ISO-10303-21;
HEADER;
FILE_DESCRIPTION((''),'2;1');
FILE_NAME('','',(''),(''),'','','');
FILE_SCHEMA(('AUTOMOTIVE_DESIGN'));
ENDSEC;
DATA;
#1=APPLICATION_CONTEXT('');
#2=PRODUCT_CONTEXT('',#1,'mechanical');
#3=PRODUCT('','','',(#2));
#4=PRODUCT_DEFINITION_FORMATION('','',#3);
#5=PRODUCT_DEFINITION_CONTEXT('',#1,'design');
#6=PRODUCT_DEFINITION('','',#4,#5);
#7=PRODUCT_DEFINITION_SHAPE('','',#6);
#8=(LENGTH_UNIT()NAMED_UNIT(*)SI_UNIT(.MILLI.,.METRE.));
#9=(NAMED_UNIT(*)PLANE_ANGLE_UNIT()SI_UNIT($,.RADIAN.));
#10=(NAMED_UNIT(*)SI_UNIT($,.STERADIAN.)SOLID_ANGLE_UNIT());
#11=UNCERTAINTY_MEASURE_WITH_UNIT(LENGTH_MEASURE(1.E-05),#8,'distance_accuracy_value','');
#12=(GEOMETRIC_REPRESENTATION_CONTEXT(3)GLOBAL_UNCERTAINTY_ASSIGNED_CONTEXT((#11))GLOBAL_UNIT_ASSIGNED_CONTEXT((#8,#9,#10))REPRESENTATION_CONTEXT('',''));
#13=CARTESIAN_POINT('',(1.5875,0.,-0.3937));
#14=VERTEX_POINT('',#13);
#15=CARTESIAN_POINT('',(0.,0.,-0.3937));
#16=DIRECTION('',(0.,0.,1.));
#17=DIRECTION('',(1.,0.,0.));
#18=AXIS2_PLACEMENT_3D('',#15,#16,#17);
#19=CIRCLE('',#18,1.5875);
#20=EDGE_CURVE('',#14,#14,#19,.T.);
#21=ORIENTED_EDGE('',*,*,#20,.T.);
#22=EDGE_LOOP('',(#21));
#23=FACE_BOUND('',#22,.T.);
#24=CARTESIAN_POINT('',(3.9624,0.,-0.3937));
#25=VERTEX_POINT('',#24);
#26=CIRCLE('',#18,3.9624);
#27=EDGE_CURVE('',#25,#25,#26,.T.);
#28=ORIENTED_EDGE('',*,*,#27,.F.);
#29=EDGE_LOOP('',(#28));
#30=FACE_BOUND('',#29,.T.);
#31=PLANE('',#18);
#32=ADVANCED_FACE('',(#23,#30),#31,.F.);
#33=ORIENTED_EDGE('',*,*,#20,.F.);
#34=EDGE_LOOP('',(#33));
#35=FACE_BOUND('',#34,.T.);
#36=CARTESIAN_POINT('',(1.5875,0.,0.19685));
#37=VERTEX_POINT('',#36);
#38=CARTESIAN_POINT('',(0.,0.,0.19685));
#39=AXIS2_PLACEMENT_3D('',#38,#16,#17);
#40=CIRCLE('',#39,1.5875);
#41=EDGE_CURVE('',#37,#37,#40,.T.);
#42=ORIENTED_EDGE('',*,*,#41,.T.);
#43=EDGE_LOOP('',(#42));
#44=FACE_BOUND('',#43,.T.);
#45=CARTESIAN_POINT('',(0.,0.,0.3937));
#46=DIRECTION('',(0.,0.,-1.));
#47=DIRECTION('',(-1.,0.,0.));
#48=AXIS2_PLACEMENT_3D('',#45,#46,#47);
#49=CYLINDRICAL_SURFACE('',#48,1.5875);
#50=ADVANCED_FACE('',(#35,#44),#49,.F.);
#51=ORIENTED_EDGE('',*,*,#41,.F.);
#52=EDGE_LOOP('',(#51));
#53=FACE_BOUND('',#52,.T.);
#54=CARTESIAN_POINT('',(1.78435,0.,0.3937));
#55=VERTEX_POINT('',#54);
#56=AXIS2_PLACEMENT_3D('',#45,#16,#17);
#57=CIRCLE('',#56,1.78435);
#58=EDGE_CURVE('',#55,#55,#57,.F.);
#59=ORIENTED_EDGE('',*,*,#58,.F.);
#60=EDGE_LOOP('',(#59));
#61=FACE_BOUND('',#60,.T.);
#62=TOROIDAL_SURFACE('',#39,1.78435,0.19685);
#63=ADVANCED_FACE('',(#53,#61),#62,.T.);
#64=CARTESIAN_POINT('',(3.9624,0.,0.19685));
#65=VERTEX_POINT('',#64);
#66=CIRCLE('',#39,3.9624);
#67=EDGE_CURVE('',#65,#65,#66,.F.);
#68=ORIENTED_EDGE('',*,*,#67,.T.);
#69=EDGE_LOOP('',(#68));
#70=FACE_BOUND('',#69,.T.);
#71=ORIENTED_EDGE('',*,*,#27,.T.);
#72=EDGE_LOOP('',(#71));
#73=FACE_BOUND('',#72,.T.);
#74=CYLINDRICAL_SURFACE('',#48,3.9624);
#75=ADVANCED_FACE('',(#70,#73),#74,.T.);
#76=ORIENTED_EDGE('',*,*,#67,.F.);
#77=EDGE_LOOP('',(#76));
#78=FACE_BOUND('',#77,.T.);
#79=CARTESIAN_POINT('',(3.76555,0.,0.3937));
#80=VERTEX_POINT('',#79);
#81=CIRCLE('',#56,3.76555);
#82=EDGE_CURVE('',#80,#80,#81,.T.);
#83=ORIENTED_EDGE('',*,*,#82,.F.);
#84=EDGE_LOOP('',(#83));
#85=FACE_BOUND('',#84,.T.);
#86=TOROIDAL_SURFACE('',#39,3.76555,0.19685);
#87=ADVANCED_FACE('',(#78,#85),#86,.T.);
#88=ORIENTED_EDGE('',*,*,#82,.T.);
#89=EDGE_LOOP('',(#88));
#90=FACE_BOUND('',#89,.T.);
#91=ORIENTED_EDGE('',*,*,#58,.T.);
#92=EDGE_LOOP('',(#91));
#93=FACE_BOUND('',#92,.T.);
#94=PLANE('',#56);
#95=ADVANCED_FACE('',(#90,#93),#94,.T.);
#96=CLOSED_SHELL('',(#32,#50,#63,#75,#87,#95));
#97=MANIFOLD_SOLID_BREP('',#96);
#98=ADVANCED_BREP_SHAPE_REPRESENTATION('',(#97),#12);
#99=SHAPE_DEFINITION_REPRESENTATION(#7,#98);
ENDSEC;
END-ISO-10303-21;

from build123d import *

# Parameters (mm, degrees)
SKETCH3_R                = 3.9624
SKETCH3_R_2              = 1.5875
BOSS_EXTRUDE1_DEPTH      = 0.3937
BOSS_EXTRUDE1_DEPTH_BACK = 0.3937
FILLET1_R                = 0.19685


with BuildPart() as part:
    # Sketch3 → Boss-Extrude1 (new body, two sides)
    with BuildSketch(Plane.XY) as boss_extrude1_sk:
        Circle(SKETCH3_R)
        Circle(SKETCH3_R_2, mode=Mode.SUBTRACT)
    extrude(amount=BOSS_EXTRUDE1_DEPTH)
    extrude(boss_extrude1_sk.sketch, amount=-BOSS_EXTRUDE1_DEPTH_BACK)

    # Fillet1
    fillet1_edges = [part.edges().sort_by_distance(p)[0] for p in [
        (-3.9624, 0, 0.3937),
        (-1.5875, 0, 0.3937),
    ]]
    fillet(fillet1_edges, radius=FILLET1_R)


solid = part.part
